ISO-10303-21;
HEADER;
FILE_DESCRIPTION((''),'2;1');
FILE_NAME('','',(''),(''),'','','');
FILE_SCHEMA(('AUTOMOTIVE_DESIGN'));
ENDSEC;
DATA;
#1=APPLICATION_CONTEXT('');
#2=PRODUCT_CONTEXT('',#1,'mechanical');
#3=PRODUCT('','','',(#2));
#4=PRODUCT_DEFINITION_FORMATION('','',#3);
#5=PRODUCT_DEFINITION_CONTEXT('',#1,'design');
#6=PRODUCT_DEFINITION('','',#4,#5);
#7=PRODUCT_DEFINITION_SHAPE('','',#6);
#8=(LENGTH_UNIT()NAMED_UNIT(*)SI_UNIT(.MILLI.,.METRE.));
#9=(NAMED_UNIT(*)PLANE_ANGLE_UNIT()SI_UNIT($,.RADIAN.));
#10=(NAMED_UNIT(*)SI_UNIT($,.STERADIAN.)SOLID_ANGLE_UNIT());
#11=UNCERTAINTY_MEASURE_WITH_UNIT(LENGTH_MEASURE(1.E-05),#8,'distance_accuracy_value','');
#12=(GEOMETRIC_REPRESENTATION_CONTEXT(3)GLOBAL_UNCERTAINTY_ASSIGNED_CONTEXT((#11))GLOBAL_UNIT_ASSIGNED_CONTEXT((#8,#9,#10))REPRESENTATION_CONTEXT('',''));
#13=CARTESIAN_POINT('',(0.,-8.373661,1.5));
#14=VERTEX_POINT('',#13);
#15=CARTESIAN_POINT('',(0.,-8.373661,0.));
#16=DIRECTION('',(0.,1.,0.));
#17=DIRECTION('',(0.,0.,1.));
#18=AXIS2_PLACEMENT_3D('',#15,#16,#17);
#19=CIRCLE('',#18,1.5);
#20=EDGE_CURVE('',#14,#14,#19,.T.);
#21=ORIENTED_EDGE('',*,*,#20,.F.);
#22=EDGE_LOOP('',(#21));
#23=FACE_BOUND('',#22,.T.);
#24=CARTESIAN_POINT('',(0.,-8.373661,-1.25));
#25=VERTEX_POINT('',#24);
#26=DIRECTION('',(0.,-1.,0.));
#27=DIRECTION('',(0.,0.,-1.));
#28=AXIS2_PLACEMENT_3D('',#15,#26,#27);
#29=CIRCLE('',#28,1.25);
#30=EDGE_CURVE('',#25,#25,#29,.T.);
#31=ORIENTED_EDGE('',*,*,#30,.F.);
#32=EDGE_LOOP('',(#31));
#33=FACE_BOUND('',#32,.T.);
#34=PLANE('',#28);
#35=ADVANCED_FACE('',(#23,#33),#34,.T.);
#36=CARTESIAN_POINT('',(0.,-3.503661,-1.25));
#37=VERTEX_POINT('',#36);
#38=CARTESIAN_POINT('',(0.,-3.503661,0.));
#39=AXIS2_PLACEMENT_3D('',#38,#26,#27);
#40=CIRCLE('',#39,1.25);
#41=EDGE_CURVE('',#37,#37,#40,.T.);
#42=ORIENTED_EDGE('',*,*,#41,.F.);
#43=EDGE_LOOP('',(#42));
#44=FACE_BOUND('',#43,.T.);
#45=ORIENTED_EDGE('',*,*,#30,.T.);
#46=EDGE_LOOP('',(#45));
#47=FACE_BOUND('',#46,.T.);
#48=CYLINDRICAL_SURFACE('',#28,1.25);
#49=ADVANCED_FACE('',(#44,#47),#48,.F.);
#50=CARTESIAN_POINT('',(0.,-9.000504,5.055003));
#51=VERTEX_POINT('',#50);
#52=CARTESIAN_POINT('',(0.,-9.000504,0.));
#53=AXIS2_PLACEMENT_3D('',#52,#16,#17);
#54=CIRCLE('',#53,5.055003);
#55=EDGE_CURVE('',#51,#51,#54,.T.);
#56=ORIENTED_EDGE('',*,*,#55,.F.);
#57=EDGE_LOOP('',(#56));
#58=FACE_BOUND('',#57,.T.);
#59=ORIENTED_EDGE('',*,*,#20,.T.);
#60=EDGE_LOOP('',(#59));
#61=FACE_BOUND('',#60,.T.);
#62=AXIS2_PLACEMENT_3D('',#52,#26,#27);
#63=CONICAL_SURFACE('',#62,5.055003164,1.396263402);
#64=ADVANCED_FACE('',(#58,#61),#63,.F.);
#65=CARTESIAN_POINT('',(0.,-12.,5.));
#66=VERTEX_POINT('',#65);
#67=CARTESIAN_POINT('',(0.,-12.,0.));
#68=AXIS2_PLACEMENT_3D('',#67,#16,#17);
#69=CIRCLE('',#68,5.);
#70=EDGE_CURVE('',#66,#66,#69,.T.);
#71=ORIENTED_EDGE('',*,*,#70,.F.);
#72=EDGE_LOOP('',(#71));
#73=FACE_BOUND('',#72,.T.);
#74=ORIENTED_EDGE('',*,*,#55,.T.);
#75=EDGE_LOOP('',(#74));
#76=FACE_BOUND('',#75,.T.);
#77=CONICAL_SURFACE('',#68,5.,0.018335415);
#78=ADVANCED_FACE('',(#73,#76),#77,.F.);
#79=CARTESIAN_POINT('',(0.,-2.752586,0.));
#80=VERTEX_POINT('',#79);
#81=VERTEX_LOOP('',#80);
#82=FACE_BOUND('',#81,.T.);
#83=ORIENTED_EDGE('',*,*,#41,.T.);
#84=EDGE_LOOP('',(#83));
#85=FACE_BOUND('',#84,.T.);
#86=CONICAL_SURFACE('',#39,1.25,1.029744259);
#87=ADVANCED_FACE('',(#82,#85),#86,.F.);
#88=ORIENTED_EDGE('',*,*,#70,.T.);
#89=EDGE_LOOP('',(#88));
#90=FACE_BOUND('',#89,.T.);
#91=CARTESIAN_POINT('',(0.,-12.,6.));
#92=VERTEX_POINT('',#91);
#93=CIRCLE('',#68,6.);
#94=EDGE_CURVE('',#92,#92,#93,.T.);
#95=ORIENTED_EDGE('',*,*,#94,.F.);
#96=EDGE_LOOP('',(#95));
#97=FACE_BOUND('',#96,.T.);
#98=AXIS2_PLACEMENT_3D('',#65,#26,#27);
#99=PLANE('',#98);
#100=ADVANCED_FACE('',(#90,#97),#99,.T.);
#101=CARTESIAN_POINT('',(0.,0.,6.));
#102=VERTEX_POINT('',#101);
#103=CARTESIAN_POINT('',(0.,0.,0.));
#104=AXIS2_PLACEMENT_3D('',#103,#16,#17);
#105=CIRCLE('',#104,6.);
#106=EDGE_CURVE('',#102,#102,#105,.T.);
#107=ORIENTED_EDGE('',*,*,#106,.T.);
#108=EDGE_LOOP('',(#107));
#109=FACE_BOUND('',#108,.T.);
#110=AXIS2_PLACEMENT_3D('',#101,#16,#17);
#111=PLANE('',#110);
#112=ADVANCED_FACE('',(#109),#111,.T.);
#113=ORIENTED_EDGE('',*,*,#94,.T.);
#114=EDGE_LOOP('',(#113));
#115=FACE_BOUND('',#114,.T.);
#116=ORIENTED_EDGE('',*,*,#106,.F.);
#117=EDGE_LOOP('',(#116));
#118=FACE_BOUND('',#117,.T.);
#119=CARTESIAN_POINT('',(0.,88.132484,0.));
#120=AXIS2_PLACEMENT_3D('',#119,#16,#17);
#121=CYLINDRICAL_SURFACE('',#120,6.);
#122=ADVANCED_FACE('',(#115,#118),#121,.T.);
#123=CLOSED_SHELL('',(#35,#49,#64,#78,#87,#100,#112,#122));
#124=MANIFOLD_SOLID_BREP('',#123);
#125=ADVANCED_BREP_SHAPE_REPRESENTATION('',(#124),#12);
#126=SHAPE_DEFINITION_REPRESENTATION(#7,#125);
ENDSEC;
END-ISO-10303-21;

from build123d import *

# Parameters (mm, degrees)
M3X0_5_TAPPED_HOLE2_D     = 2.5
M3X0_5_TAPPED_HOLE2_DEPTH = 4.87
M3X0_5_TAPPED_HOLE2_TIP   = 0.751075774


with BuildPart() as part:
    # Sketch2 → Revolve1 (revolve)
    with BuildSketch(Plane(origin=(0, 0, 0), x_dir=(0, 0, -1), z_dir=(1, 0, 0))):
        Polygon((-5, -12), (-6, -12), (-6, 0), (0, 0), (0, -8.373661293), (-1.5, -8.373661293), (-5.055003164, -9.000504267), align=None)
    revolve(axis=Axis((0, 88.13248411, 0), (0, -1, 0)))

    # M3x0.5 Tapped Hole2
    with Locations(Plane(origin=(0, -8.373661293, 0), x_dir=(-1, 0, 0), z_dir=(0, -1, 0))):
        with Locations((0, 0)):
            Hole(M3X0_5_TAPPED_HOLE2_D / 2, depth=M3X0_5_TAPPED_HOLE2_DEPTH)
            with Locations((0, 0, -(M3X0_5_TAPPED_HOLE2_DEPTH + M3X0_5_TAPPED_HOLE2_TIP / 2))):  # 118° drill point
                Cone(0, M3X0_5_TAPPED_HOLE2_D / 2, M3X0_5_TAPPED_HOLE2_TIP, mode=Mode.SUBTRACT)


solid = part.part
